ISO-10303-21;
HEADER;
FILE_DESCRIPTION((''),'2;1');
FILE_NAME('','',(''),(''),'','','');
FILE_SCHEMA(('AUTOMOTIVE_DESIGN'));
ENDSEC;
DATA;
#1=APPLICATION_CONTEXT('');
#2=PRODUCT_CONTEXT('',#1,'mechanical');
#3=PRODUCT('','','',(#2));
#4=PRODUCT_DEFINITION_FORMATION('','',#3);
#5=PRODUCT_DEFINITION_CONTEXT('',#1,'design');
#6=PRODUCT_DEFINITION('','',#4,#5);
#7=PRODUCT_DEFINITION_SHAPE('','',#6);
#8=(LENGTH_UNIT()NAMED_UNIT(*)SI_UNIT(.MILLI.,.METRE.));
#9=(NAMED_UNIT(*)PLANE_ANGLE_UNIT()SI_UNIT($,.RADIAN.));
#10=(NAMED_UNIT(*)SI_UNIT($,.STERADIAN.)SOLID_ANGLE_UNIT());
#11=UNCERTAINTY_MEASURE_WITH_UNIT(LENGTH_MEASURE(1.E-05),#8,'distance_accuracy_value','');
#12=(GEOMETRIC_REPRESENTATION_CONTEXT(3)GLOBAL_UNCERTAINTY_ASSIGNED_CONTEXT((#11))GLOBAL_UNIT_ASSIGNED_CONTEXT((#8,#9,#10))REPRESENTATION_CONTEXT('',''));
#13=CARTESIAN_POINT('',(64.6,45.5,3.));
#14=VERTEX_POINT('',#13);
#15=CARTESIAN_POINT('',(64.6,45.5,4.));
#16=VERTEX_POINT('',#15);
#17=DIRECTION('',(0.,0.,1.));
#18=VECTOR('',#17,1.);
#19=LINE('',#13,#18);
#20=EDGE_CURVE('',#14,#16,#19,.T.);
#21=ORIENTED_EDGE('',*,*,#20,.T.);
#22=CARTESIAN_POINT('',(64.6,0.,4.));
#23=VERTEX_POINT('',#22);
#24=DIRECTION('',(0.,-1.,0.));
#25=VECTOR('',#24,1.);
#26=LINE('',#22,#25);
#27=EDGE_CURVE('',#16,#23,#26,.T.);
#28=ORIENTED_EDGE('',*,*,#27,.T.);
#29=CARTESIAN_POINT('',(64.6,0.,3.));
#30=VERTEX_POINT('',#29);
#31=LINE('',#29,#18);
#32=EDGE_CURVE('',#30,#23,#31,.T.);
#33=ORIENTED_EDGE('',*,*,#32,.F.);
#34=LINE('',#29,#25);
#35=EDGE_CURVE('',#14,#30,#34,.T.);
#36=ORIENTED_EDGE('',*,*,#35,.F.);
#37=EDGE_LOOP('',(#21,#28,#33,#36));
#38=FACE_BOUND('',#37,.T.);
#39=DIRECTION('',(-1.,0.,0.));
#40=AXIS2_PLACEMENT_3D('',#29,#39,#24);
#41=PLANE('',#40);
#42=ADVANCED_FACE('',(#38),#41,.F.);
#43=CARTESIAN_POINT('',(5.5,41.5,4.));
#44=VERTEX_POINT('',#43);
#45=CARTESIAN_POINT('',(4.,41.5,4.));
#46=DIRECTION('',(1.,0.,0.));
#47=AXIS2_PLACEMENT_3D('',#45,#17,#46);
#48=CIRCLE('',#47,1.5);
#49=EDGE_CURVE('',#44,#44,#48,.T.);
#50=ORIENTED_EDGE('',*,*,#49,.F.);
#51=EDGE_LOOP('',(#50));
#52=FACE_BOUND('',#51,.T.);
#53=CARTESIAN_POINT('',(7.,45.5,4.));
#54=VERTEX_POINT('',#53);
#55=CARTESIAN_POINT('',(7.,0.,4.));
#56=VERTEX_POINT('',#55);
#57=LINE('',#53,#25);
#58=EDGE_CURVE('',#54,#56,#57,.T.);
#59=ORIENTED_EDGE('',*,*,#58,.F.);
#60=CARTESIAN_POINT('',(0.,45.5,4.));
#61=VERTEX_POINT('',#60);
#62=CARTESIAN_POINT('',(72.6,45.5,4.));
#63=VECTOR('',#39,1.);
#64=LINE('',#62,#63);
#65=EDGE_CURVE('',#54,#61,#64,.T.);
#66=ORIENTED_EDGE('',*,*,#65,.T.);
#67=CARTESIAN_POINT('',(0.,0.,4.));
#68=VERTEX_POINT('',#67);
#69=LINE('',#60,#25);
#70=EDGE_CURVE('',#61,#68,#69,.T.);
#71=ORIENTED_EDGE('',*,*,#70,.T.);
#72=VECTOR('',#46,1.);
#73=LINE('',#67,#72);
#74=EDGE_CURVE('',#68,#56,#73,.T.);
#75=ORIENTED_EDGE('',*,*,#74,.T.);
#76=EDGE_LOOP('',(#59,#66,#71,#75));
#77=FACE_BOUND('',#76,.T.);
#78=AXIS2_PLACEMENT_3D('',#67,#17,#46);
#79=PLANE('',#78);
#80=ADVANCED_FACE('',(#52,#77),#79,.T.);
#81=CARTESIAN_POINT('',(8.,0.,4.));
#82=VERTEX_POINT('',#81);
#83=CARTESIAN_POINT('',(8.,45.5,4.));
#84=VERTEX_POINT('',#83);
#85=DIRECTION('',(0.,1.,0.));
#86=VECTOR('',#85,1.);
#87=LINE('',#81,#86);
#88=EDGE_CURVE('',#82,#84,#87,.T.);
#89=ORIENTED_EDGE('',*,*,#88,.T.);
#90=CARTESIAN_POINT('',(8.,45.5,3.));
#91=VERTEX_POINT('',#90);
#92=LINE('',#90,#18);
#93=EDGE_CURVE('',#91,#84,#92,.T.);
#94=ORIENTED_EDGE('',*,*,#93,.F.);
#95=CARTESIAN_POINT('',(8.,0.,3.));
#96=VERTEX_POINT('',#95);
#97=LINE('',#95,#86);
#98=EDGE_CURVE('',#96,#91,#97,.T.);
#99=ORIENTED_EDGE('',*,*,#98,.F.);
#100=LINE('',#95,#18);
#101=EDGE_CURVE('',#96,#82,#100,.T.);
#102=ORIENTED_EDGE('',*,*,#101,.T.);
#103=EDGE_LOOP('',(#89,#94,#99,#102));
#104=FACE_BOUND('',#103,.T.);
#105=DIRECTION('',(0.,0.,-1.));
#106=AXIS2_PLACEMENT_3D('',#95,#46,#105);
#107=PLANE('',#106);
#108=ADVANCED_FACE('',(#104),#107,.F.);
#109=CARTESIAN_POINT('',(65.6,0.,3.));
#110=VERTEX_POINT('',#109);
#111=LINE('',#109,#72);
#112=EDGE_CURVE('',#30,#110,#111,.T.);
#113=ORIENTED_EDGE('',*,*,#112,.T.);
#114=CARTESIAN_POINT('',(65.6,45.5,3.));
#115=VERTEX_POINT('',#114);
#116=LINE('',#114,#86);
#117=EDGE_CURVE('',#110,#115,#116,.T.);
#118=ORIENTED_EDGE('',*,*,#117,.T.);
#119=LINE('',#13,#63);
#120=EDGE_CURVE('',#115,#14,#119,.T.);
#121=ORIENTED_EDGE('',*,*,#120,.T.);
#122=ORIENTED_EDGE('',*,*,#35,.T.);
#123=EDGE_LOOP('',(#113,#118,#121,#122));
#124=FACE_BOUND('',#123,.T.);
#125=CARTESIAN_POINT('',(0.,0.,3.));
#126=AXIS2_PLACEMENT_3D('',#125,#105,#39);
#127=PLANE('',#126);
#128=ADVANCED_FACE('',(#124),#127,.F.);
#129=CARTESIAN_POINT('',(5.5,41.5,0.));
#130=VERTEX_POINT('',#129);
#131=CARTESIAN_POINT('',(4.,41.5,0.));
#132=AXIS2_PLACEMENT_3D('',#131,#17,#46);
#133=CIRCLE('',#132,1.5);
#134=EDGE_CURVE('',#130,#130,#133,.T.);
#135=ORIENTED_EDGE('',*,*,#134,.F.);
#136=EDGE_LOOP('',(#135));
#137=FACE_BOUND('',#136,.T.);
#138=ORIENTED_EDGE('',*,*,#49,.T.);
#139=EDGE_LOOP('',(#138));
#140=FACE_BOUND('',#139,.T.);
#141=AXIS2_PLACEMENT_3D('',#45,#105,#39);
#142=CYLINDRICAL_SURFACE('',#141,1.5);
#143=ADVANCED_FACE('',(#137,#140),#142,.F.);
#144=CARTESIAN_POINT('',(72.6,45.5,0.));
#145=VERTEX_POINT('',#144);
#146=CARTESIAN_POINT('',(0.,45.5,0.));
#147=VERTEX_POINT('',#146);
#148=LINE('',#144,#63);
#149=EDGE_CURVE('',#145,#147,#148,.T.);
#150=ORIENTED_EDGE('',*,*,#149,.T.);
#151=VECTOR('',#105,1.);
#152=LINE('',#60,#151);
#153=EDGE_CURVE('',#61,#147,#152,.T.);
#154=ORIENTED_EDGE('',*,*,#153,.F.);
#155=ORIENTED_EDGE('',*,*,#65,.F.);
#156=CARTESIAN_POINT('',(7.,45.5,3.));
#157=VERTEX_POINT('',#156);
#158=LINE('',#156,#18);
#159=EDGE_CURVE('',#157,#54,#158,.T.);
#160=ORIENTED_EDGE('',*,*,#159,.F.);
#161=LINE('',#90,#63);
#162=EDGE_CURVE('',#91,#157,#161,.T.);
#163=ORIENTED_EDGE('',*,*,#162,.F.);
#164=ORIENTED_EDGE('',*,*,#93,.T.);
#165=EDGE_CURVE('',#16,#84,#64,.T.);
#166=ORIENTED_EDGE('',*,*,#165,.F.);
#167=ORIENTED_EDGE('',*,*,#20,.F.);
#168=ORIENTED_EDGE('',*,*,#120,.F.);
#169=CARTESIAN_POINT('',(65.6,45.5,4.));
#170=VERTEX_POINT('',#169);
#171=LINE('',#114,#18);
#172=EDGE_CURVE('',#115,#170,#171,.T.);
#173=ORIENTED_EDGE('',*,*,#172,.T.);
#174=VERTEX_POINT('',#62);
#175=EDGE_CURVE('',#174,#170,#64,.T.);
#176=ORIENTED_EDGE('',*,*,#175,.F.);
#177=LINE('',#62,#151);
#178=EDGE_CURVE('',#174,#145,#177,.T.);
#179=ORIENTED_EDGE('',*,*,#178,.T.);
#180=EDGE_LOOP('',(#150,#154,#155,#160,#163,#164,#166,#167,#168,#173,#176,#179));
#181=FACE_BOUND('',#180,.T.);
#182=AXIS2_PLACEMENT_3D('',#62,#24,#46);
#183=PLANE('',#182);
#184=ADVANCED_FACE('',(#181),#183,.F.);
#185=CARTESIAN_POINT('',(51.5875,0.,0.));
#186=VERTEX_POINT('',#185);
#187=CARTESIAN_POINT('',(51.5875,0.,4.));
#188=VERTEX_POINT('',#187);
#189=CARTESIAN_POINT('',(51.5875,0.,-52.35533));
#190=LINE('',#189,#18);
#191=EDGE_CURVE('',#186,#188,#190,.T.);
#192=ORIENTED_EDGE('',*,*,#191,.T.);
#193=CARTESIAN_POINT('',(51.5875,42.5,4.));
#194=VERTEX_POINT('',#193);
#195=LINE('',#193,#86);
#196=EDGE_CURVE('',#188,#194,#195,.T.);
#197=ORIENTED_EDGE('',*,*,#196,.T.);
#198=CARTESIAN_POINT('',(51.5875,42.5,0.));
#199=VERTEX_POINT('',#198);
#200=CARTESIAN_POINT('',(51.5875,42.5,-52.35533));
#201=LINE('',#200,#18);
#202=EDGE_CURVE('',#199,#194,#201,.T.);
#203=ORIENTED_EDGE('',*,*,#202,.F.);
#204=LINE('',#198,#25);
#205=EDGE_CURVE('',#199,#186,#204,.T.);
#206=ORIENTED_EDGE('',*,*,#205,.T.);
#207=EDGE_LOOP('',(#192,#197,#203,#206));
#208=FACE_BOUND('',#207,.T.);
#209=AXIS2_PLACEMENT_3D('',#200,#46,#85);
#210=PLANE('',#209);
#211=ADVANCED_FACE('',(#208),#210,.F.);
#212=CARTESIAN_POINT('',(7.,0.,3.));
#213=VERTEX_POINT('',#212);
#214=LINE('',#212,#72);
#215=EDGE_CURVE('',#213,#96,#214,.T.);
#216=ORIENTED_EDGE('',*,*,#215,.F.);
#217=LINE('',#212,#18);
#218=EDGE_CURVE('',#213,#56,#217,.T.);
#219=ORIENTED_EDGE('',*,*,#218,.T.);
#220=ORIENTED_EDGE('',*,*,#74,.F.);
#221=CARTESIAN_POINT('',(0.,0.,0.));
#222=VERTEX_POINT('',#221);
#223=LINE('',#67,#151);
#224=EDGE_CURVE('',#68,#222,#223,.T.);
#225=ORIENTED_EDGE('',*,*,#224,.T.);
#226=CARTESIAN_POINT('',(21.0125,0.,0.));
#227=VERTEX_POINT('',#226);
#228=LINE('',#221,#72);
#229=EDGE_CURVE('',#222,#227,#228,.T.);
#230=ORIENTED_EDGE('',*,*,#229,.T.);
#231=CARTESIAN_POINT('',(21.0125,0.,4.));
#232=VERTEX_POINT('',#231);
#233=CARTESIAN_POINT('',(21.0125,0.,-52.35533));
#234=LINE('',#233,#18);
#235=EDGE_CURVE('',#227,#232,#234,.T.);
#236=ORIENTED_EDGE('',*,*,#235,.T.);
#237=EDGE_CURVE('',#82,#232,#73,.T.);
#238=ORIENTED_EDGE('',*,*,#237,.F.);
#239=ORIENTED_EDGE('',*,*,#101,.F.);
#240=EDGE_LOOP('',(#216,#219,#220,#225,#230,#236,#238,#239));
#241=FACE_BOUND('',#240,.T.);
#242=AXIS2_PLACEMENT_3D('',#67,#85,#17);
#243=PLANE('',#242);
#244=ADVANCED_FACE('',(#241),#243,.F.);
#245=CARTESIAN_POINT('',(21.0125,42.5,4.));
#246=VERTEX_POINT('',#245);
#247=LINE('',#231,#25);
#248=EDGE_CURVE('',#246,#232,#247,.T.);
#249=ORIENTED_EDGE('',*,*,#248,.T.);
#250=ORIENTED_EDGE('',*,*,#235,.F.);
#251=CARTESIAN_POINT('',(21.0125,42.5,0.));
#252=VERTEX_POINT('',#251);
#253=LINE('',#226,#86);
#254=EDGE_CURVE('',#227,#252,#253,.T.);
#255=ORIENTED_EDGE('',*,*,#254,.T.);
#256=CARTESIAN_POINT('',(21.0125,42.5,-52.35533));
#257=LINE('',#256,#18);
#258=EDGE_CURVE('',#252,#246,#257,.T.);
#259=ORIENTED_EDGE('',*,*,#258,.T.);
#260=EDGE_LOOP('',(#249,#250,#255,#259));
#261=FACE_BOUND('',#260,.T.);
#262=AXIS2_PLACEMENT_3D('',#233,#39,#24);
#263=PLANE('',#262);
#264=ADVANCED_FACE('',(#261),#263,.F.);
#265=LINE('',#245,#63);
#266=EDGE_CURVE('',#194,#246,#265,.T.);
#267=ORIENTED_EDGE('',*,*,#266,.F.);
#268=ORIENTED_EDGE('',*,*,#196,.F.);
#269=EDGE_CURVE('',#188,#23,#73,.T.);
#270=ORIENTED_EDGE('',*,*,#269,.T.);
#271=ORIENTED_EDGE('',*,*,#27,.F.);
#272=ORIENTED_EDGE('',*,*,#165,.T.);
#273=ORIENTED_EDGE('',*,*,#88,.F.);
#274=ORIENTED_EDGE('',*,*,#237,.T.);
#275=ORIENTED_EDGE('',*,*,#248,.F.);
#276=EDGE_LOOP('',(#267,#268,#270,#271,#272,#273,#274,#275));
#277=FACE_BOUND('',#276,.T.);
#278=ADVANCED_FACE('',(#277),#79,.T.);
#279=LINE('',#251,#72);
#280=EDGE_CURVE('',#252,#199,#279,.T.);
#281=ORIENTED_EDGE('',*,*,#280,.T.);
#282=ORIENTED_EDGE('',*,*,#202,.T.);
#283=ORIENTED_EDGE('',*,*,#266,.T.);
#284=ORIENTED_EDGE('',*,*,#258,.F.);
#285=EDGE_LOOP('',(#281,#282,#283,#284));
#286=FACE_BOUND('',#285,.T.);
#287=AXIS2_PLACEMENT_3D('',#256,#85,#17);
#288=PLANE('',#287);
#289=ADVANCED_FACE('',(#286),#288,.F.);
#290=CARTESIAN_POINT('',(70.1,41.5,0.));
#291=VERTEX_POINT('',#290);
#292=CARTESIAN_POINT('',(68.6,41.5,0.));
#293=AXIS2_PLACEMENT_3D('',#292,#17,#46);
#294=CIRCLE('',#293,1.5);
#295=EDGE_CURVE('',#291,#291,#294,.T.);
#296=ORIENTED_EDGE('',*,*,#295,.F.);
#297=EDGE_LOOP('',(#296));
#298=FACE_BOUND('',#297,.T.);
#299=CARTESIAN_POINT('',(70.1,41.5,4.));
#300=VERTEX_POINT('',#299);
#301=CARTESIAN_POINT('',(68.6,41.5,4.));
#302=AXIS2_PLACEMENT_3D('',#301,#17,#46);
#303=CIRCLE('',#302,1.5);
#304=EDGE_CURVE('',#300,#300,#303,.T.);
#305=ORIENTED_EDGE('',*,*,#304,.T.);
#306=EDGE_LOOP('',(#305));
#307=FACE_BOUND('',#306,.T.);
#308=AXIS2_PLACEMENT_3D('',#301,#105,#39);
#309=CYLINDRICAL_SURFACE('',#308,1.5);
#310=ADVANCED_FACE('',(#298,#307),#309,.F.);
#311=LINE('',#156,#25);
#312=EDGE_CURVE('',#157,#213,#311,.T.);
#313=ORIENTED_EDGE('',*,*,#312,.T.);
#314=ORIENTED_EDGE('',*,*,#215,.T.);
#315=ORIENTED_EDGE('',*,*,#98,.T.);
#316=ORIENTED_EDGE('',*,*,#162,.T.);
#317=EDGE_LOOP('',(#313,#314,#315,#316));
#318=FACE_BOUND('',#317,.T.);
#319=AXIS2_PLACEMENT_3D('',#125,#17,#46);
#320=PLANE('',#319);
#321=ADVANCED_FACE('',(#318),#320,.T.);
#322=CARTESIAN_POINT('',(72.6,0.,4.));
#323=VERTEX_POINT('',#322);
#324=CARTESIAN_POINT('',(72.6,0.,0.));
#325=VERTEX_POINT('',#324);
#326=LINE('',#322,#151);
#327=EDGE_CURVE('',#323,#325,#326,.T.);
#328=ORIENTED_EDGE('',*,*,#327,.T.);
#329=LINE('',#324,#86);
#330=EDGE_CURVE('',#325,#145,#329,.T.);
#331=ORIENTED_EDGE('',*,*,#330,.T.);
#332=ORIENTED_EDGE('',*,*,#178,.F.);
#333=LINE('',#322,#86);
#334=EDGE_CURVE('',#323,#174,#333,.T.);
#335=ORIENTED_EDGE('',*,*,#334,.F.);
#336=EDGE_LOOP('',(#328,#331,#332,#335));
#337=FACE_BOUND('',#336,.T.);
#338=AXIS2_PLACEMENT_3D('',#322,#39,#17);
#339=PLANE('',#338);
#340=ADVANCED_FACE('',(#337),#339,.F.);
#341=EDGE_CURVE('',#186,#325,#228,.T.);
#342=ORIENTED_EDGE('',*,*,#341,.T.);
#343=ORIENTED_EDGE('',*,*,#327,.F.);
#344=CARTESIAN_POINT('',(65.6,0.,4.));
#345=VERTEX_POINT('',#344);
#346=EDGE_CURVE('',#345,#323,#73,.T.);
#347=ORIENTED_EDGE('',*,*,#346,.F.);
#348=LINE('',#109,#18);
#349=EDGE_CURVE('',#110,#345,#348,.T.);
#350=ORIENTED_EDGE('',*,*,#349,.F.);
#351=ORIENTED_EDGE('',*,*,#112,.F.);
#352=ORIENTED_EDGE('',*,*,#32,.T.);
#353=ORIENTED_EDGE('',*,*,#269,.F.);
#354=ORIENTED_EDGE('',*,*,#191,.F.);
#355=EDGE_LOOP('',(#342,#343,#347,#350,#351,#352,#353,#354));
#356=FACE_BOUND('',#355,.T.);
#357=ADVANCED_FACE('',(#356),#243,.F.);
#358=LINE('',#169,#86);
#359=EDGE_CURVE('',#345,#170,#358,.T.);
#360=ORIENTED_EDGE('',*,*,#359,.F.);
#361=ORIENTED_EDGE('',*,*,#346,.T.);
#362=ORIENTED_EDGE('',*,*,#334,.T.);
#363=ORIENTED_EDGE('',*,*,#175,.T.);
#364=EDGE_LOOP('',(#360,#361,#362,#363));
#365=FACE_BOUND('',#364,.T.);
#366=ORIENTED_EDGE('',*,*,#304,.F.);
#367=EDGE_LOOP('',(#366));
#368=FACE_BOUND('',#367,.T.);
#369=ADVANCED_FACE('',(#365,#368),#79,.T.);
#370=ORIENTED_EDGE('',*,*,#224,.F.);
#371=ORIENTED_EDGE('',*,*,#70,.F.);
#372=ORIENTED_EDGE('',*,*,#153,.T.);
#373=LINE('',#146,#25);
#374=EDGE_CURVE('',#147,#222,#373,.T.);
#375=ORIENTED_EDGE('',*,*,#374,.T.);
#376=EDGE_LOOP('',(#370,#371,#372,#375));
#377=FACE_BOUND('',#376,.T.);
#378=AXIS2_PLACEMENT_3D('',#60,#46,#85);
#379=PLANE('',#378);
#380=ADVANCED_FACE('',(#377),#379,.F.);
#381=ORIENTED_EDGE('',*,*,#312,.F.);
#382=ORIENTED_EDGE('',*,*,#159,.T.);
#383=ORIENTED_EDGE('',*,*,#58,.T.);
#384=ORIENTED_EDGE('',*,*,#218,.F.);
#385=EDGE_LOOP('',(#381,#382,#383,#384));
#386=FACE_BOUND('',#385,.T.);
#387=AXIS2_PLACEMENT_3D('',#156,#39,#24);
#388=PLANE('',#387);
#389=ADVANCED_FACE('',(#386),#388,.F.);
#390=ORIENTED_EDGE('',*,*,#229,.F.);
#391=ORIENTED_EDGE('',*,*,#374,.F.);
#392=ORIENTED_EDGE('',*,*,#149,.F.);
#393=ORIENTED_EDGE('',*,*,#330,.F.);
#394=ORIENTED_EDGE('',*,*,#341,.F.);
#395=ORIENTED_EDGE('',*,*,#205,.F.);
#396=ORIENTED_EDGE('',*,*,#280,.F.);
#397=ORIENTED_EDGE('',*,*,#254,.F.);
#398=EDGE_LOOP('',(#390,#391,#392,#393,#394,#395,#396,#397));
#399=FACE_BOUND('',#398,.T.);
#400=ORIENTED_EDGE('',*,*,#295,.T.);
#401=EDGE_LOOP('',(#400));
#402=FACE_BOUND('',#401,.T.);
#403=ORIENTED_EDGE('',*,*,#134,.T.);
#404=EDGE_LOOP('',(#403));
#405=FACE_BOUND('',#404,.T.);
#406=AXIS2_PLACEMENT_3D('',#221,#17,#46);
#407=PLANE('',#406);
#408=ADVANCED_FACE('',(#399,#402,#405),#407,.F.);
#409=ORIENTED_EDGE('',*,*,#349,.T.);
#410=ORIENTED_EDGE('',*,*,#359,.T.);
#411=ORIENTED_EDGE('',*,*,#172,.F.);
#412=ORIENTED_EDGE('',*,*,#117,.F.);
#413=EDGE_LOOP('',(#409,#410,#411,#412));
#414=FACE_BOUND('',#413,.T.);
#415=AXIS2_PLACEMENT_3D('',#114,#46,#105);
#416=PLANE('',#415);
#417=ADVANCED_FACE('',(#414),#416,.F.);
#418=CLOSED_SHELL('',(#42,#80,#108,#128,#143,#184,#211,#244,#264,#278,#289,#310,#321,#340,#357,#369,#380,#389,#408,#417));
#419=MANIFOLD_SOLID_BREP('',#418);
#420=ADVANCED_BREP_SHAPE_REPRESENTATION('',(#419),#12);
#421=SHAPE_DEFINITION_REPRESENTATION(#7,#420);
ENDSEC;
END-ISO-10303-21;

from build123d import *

# Parameters (mm, degrees)
SKETCH1_W           = 72.6
SKETCH1_H           = 45.5
SKETCH1_R           = 1.5
BOSS_EXTRUDE1_DEPTH = 4
SKETCH2_W           = 1
SKETCH2_H           = 45.5
CUT_EXTRUDE1_DEPTH  = 1
SKETCH3_W           = 30.575
SKETCH3_H           = 42.5
CUT_EXTRUDE2_DEPTH  = 4


with BuildPart() as part:
    # Sketch1 → Boss-Extrude1 (new body)
    with BuildSketch(Plane.XY):
        with Locations((36.3, 22.75)):
            Rectangle(SKETCH1_W, SKETCH1_H)
        with Locations((4, 41.5)):
            Circle(SKETCH1_R, mode=Mode.SUBTRACT)
        with Locations((68.6, 41.5)):
            Circle(SKETCH1_R, mode=Mode.SUBTRACT)
    extrude(amount=BOSS_EXTRUDE1_DEPTH)

    # Sketch2 → Cut-Extrude1 (cut)
    with BuildSketch(Plane.XY.offset(4)):
        with Locations((7.5, 22.75)):
            Rectangle(SKETCH2_W, SKETCH2_H)
        with Locations((65.1, 22.75)):
            Rectangle(SKETCH2_W, SKETCH2_H)
    extrude(amount=-CUT_EXTRUDE1_DEPTH, mode=Mode.SUBTRACT)

    # Sketch3 → Cut-Extrude2 (cut)
    with BuildSketch(Plane.XY.offset(4)):
        with Locations((36.3, 21.25)):
            Rectangle(SKETCH3_W, SKETCH3_H)
    extrude(amount=-CUT_EXTRUDE2_DEPTH, mode=Mode.SUBTRACT)


solid = part.part
